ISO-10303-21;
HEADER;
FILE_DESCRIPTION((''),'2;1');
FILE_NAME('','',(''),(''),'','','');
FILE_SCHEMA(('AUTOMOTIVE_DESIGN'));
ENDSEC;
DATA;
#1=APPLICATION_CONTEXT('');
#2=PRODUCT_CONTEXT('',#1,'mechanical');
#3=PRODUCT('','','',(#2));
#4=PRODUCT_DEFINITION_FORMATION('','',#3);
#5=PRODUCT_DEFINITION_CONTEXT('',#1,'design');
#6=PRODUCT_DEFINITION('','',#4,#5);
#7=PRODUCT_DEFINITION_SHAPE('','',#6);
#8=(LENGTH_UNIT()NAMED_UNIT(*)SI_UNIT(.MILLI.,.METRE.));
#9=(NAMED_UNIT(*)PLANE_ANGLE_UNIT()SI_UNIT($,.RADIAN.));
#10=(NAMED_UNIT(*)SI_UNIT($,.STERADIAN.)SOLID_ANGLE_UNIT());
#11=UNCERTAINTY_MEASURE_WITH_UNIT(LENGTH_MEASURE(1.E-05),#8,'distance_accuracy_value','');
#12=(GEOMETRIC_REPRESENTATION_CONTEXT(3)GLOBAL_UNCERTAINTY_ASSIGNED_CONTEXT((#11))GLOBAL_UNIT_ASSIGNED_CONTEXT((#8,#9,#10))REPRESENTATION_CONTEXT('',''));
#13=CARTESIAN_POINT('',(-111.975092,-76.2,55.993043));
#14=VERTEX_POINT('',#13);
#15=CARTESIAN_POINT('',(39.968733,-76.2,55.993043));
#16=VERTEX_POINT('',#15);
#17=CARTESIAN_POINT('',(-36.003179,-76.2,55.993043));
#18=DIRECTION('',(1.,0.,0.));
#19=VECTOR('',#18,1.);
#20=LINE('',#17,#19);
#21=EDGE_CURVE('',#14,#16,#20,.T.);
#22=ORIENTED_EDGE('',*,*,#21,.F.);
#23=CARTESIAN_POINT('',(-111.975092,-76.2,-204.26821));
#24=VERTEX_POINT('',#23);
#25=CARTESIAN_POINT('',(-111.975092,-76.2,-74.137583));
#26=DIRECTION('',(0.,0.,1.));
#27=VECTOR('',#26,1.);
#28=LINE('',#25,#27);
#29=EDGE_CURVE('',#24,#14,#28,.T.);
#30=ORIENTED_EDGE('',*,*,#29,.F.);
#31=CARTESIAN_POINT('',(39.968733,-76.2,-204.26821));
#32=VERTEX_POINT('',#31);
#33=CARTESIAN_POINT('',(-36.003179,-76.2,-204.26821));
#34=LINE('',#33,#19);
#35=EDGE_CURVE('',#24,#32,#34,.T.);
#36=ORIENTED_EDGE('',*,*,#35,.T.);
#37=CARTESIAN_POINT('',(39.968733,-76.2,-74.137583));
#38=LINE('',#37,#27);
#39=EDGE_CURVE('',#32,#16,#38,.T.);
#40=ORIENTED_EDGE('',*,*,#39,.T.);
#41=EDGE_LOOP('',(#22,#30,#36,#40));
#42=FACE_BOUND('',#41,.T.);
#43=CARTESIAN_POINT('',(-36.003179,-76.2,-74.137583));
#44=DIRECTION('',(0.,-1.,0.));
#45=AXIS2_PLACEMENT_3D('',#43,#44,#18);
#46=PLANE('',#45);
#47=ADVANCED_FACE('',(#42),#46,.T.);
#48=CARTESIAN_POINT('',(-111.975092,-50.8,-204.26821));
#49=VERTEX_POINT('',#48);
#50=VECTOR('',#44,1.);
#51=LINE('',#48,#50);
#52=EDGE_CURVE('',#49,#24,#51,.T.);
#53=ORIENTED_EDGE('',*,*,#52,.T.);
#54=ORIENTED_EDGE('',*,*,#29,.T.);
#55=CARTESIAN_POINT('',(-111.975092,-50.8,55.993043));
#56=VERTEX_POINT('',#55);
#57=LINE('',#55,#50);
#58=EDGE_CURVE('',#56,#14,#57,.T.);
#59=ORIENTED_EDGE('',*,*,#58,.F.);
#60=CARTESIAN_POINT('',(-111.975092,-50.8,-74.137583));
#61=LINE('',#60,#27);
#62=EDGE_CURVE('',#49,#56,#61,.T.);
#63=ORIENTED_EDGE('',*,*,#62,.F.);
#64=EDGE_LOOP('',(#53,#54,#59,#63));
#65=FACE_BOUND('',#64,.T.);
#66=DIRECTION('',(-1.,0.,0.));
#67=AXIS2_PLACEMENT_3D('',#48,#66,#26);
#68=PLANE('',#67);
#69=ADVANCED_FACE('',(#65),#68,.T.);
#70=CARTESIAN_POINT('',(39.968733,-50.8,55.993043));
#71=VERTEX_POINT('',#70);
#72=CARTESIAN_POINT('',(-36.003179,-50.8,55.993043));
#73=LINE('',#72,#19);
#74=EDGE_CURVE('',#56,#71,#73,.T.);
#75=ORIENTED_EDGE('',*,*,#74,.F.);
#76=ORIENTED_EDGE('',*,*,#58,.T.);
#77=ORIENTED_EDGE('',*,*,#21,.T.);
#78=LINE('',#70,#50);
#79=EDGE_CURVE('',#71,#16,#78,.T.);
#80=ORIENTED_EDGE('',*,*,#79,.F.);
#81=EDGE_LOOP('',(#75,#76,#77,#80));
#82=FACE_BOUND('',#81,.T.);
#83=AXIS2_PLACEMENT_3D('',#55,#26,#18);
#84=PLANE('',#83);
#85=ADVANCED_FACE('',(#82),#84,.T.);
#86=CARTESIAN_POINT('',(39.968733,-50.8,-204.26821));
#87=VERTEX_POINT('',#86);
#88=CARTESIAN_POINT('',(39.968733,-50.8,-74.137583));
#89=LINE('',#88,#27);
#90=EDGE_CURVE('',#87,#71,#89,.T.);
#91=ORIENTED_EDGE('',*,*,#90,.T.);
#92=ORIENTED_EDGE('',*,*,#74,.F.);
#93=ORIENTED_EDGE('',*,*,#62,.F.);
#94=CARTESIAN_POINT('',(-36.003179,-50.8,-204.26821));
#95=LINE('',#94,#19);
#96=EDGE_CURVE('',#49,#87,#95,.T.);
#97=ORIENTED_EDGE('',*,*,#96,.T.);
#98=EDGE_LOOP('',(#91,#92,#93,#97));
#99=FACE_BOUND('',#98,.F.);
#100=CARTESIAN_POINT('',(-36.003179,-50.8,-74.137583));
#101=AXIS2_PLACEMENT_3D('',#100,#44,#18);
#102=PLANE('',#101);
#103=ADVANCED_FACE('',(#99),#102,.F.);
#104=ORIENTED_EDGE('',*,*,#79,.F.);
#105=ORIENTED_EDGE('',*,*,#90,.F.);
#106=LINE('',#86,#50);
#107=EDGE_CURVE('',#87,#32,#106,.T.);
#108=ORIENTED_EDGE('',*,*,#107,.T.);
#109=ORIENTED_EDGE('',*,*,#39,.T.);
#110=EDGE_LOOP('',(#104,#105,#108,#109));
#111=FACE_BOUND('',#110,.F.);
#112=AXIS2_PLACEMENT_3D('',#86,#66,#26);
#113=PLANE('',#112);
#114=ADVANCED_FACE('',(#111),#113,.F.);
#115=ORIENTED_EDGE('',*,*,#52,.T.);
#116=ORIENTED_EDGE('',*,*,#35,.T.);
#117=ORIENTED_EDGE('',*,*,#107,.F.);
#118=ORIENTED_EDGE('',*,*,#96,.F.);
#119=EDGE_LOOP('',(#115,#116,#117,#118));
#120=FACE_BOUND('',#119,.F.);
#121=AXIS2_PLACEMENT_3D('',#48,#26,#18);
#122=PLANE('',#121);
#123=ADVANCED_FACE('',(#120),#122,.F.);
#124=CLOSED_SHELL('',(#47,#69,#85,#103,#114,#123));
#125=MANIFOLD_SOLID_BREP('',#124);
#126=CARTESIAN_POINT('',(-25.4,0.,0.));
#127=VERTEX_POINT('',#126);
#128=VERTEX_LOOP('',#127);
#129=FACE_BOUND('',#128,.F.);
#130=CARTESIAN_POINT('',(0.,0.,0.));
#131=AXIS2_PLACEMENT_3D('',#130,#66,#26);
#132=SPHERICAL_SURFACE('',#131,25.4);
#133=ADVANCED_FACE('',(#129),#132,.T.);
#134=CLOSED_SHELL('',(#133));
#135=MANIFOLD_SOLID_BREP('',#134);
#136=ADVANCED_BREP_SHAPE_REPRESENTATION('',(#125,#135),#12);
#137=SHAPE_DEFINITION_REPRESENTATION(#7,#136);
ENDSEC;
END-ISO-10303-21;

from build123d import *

# Parameters (mm, degrees)
F3_W     = 151.943825
F3_H     = 260.261253
F4_DEPTH = 25.4


with BuildPart() as f1:
    # F0 (on Front) → F1 (revolve)
    with BuildSketch(Plane.XZ):
        with BuildLine():
            Line((-25.4, 0), (25.4, 0))
            ThreePointArc((25.4, 0), (0, 25.4), (-25.4, 0))
        make_face()
    revolve(axis=Axis((0, 0, 0), (1, 0, 0)))


with BuildPart() as f4:
    # F3 (on offset) → F4 (new body)
    with BuildSketch(Plane.XZ.offset(50.8)):
        with Locations((-36.003179, -74.137583)):
            Rectangle(F3_W, F3_H)
    extrude(amount=F4_DEPTH)


solid = Compound([f1.part, f4.part])
